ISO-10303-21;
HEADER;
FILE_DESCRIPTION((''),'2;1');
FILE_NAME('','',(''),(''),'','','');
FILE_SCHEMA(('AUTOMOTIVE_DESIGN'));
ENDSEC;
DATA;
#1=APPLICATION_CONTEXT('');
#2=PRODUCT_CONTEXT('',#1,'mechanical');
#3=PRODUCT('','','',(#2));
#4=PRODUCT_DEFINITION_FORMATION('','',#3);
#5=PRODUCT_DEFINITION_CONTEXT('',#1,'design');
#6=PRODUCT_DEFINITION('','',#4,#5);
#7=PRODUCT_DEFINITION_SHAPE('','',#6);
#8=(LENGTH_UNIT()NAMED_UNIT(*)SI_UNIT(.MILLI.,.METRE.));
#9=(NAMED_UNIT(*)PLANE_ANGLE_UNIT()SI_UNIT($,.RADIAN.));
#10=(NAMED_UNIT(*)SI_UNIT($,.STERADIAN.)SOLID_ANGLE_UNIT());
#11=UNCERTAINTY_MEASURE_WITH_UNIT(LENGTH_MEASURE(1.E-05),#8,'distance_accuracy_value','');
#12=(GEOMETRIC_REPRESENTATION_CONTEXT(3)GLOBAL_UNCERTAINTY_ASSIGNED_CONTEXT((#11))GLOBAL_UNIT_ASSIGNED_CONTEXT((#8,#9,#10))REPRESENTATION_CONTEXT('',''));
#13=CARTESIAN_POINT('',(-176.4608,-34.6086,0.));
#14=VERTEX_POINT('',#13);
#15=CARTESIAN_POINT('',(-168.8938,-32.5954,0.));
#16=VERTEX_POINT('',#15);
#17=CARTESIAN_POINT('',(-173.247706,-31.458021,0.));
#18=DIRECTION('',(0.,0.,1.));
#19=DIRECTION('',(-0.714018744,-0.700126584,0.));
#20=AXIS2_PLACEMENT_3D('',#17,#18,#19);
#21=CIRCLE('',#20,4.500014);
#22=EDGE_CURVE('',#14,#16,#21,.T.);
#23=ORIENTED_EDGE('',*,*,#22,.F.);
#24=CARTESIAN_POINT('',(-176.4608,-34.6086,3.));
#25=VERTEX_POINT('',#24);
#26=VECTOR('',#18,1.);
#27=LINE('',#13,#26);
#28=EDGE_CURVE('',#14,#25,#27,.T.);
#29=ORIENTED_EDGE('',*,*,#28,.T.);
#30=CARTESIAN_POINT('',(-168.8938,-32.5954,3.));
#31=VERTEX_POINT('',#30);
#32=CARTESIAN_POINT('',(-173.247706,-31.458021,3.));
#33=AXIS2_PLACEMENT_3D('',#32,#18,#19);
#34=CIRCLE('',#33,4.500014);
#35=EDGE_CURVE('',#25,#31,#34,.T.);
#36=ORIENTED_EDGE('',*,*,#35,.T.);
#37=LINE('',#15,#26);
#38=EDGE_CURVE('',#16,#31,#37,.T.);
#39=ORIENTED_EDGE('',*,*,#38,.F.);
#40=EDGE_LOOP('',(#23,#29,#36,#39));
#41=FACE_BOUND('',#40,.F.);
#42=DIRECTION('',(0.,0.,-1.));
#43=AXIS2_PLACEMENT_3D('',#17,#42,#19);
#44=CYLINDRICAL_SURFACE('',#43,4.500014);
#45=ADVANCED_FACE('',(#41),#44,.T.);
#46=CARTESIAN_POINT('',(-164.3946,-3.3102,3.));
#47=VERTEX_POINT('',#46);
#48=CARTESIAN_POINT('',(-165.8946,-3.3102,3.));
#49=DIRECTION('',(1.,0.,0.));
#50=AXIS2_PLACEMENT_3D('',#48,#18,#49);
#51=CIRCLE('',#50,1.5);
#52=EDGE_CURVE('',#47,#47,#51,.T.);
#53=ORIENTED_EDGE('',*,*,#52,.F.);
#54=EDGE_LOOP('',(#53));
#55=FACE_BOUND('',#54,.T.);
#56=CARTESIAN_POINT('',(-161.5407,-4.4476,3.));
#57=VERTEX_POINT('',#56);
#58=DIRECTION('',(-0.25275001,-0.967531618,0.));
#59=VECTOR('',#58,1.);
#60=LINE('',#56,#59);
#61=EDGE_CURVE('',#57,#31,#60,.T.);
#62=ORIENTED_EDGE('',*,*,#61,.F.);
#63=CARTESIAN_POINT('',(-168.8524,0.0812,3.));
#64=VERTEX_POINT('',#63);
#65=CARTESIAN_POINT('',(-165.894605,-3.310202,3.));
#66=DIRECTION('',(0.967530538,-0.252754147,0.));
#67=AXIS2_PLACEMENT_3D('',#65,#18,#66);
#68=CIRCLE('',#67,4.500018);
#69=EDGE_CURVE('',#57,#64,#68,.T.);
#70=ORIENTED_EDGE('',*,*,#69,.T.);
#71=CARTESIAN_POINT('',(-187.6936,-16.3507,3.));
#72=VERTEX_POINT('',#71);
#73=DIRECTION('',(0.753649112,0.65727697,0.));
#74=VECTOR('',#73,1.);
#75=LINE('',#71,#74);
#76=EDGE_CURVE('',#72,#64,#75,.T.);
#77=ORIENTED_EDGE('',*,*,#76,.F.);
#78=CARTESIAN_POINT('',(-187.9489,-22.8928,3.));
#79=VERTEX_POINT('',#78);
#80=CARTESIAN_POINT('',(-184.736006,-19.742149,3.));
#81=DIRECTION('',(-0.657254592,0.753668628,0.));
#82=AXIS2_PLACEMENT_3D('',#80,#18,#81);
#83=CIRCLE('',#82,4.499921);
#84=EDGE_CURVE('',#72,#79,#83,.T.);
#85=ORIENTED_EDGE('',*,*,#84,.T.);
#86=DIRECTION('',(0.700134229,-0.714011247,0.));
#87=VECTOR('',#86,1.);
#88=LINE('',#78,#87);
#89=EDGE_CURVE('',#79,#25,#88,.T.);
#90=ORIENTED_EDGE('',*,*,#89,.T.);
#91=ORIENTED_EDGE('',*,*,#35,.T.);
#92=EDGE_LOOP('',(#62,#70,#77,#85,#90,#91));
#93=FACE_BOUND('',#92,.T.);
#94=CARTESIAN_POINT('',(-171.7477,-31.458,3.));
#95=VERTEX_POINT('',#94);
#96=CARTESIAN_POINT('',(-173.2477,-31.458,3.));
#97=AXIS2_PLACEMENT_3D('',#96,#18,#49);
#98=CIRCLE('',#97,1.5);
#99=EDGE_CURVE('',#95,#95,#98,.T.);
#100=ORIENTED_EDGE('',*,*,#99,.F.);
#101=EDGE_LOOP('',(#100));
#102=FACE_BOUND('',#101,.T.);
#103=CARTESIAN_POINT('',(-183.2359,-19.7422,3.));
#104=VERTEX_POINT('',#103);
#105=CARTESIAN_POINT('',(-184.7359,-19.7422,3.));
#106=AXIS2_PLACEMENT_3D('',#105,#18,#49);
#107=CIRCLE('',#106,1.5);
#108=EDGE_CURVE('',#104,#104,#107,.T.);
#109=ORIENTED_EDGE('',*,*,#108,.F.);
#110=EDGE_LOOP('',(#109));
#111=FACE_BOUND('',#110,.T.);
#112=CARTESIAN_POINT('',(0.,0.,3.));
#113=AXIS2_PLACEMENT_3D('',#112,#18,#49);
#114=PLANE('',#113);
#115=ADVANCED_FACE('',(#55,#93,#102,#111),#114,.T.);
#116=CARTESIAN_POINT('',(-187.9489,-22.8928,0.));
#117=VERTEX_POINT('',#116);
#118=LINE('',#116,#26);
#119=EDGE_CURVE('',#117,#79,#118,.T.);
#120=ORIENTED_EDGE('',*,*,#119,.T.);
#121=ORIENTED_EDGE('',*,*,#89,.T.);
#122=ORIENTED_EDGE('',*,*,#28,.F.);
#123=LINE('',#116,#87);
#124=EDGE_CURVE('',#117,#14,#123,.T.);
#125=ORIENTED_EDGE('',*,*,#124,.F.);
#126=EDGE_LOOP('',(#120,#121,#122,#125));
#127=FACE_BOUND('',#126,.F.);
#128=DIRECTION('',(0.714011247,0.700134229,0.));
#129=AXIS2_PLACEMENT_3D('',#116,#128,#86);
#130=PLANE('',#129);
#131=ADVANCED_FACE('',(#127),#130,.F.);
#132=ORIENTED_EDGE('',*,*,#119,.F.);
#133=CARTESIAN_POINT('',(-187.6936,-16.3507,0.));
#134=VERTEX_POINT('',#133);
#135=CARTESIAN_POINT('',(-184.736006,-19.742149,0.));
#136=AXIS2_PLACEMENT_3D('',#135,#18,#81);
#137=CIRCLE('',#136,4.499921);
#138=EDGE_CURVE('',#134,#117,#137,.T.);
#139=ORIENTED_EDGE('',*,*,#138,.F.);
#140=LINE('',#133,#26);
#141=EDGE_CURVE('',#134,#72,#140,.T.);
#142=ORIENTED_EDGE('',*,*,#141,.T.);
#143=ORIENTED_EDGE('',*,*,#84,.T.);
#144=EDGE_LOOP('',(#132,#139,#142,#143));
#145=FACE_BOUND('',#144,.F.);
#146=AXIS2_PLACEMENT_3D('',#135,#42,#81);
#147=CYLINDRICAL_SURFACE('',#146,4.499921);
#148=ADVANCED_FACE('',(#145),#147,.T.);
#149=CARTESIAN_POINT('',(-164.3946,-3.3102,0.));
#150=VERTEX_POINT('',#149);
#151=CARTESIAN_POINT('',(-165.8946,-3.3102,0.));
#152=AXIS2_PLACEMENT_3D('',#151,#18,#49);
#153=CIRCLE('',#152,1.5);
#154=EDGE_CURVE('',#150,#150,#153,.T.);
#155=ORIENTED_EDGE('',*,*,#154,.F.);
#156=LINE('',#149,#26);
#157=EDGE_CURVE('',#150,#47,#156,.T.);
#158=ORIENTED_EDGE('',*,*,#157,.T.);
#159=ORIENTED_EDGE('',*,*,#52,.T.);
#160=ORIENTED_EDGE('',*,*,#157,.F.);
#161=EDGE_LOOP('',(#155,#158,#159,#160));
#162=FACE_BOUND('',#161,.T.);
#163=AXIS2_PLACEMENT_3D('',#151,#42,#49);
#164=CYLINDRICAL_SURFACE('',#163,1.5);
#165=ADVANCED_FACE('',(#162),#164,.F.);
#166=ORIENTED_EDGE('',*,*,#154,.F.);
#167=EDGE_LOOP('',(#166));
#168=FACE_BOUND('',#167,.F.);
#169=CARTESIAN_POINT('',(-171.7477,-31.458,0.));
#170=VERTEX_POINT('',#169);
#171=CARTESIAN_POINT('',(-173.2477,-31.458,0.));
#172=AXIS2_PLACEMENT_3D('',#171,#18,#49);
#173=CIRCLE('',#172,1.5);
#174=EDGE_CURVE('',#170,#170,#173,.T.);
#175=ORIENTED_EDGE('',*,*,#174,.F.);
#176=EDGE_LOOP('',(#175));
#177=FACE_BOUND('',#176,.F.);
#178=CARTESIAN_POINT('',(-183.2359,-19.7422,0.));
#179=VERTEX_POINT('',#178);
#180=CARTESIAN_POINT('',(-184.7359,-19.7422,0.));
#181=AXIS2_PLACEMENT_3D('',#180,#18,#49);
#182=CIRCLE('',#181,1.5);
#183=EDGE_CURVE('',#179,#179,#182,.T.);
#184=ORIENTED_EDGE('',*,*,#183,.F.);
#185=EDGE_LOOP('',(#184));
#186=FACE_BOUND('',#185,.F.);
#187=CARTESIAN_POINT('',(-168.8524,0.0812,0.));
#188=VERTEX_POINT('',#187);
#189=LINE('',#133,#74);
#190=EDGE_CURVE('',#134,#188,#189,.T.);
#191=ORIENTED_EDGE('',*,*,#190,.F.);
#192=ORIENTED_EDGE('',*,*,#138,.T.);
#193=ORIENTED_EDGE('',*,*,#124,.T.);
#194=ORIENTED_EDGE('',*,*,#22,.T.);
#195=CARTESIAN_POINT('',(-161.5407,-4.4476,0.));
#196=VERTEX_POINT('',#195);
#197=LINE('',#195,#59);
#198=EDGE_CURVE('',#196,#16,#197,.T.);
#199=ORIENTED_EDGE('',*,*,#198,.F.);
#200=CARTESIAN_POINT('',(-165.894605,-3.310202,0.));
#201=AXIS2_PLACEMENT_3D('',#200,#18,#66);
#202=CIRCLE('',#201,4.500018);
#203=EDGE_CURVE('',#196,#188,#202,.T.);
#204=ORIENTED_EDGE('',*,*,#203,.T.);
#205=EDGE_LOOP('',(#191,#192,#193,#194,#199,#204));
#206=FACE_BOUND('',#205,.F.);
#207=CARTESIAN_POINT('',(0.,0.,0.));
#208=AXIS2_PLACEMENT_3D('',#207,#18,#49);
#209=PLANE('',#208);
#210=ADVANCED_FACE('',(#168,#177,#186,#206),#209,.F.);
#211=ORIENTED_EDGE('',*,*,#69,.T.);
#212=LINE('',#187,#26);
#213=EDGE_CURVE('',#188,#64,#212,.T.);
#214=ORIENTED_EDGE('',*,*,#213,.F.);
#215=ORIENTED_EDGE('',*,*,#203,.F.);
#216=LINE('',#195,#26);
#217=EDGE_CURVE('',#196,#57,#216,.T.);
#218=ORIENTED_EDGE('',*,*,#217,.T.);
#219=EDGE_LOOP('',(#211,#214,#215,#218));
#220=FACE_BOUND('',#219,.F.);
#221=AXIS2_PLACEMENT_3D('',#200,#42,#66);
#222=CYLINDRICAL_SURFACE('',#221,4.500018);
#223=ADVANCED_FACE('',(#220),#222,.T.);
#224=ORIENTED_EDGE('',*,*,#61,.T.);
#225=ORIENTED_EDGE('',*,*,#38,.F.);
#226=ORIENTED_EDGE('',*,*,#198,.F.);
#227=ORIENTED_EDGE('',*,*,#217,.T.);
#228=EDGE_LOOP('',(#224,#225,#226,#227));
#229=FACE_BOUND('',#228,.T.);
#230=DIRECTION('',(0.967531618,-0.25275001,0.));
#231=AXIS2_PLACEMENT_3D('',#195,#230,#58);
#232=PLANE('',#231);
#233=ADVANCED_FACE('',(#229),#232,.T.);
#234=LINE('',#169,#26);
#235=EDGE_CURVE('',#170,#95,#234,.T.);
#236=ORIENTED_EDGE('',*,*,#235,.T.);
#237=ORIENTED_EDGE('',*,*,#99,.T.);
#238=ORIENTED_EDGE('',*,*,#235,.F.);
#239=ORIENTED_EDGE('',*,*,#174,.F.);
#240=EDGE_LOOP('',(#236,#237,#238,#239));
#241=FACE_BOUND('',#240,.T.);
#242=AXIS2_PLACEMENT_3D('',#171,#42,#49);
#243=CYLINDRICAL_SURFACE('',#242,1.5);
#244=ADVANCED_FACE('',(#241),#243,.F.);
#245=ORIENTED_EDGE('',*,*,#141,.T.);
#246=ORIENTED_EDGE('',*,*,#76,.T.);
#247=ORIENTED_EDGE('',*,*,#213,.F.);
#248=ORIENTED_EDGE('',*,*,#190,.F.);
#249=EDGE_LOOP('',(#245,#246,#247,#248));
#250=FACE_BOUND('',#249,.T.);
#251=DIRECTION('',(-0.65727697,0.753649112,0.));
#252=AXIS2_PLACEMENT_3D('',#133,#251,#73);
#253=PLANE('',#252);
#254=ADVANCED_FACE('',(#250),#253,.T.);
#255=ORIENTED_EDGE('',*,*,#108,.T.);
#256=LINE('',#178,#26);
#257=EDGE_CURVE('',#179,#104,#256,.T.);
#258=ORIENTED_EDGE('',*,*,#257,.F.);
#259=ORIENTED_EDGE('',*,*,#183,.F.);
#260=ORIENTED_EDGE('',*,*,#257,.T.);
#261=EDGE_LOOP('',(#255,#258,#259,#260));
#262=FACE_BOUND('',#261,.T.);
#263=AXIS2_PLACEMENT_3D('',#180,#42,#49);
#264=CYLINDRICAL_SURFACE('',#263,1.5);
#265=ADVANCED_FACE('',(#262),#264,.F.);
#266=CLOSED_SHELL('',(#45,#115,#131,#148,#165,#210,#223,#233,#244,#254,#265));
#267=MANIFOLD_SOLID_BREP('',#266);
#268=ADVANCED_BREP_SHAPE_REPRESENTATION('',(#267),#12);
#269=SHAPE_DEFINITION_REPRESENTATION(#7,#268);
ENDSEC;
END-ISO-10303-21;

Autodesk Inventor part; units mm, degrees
ref_plane "YZ Plane" through (0, 0, 0) normal (1, 0, 0) x (0, 1, 0)
ref_plane "XZ Plane" through (0, 0, 0) normal (0, 1, 0) x (-1, 0, 0)
ref_plane "XY Plane" through (0, 0, 0) normal (0, 0, 1) x (1, 0, 0)
sketch "スケッチ1" plane through (0, 0, 0) normal (0, 0, 1) x (1, 0, 0)
  circle A0 centre (-165.8946, -3.3102) radius 1.5
  circle A1 centre (-136.5368, 15.7454) radius 1.5
  circle A2 centre (-82.4879, 34.801) radius 1.5
  circle A3 centre (-77.8211, 53.8566) radius 1.5
  circle A4 centre (-107.1789, 34.801) radius 1.5
  circle A5 centre (-110.4783, 13.7882) radius 1.5
  circle A6 centre (-138.4687, -7.2246) radius 1.5
  circle A7 centre (-184.7359, -19.7422) radius 1.5
  circle A8 centre (-173.2477, -31.458) radius 1.5
  circle A9 centre (-44.4492, 64.0137) radius 1.5
  circle A10 centre (-64.4423, 49.0046) radius 1.5
  circle A11 centre (-60.4494, 64.5064) radius 1.5
  line L0 (-64.2741, 70.3989) -> (-190.1939, -11.3332)
  arc A12 (-190.1939, -11.3332) -> (-190.9729, -27.5907) centre (-184.7359, -19.7422) ccw
  line L1 (-190.9729, -27.5907) -> (-178.2249, -37.7212)
  arc A13 (-178.2249, -37.7212) -> (-168.4448, -37.8558) centre (-173.2477, -31.458) ccw
  line L2 (-168.4448, -37.8558) -> (-40.2316, 58.3956)
  arc A14 (-40.2316, 58.3956) -> (-44.233, 71.0354) centre (-44.4492, 64.0137) ccw
  line L3 (-44.233, 71.0354) -> (-60.2332, 71.5281)
  arc A15 (-60.2332, 71.5281) -> (-64.2741, 70.3989) centre (-60.4494, 64.5064) ccw
  arc A16 (-161.5407, -4.4476) -> (-168.8524, 0.0812) centre (-165.8946, -3.3102) ccw
  arc A17 (-187.6936, -16.3507) -> (-187.9489, -22.8928) centre (-184.7359, -19.7422) ccw
  arc A18 (-176.4608, -34.6086) -> (-168.8938, -32.5954) centre (-173.2477, -31.458) ccw
  line L4 (-187.6936, -16.3507) -> (-168.8524, 0.0812)
  line L5 (-161.5407, -4.4476) -> (-168.8938, -32.5954)
  line L6 (-187.9489, -22.8928) -> (-176.4608, -34.6086)
  point P0 (0, 0)
  point P1 (0, 0)
  dimension "d0" = 3
  dimension "d1" = 3
  dimension "d2" = 3
extrude "押し出し1" add sketch "スケッチ1" along normal blind 3 contours L5 A18 L6 A17 L4 A16
properties part number "アーム抑えツイン1" material "ポリカーボネート、クリア"
